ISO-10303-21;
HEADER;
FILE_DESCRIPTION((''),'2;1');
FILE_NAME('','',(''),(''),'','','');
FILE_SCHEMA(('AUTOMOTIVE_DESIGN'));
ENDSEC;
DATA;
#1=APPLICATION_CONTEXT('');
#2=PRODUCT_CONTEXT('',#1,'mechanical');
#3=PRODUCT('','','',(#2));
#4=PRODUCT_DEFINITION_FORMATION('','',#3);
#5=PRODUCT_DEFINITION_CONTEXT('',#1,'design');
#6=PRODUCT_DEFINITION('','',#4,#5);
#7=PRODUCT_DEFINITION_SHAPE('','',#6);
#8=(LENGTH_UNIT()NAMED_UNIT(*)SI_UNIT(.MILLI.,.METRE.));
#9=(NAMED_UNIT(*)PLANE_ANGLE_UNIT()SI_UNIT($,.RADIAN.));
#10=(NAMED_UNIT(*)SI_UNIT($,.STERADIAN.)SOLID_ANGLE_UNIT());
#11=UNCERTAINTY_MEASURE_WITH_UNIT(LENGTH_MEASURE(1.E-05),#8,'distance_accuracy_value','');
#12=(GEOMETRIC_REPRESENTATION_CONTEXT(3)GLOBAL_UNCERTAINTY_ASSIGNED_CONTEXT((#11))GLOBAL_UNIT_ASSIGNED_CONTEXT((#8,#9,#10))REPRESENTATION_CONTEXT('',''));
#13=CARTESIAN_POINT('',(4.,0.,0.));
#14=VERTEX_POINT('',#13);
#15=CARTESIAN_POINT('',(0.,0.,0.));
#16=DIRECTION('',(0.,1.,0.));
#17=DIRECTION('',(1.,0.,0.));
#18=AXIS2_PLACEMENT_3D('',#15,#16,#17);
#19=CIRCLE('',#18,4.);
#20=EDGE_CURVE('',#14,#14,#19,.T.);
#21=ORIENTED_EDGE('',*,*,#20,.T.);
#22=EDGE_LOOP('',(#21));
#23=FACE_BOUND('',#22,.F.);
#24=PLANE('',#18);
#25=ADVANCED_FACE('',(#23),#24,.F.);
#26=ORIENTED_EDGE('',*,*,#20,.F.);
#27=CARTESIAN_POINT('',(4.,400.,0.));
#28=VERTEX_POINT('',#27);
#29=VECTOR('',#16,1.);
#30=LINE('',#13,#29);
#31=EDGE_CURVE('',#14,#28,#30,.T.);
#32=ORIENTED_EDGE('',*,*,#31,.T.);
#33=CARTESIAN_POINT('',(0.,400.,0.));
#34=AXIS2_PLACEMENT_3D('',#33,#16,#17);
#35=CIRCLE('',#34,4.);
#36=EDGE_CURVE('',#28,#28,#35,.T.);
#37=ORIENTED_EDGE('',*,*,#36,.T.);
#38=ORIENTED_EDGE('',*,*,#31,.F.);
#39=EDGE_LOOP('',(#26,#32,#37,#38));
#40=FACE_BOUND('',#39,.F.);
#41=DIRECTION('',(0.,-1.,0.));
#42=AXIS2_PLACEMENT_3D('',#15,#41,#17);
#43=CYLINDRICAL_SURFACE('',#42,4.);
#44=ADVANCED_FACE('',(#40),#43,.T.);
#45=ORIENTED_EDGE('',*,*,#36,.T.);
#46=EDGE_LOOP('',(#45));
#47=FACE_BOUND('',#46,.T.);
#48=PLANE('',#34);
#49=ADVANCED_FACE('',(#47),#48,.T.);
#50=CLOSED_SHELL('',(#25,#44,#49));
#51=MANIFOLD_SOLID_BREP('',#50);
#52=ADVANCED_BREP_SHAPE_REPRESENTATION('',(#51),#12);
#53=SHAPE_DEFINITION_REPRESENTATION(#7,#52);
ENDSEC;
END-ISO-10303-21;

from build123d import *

# Parameters (mm, degrees)
SKETCH_1_R      = 4
EXTRUDE_1_DEPTH = 400


with BuildPart() as part:
    # 草图1 → 凸台-拉伸1 (new body)
    with BuildSketch(Plane(origin=(0, 0, 0), x_dir=(1, 0, 0), z_dir=(0, 1, 0))):
        Circle(SKETCH_1_R)
    extrude(amount=EXTRUDE_1_DEPTH)


solid = part.part
